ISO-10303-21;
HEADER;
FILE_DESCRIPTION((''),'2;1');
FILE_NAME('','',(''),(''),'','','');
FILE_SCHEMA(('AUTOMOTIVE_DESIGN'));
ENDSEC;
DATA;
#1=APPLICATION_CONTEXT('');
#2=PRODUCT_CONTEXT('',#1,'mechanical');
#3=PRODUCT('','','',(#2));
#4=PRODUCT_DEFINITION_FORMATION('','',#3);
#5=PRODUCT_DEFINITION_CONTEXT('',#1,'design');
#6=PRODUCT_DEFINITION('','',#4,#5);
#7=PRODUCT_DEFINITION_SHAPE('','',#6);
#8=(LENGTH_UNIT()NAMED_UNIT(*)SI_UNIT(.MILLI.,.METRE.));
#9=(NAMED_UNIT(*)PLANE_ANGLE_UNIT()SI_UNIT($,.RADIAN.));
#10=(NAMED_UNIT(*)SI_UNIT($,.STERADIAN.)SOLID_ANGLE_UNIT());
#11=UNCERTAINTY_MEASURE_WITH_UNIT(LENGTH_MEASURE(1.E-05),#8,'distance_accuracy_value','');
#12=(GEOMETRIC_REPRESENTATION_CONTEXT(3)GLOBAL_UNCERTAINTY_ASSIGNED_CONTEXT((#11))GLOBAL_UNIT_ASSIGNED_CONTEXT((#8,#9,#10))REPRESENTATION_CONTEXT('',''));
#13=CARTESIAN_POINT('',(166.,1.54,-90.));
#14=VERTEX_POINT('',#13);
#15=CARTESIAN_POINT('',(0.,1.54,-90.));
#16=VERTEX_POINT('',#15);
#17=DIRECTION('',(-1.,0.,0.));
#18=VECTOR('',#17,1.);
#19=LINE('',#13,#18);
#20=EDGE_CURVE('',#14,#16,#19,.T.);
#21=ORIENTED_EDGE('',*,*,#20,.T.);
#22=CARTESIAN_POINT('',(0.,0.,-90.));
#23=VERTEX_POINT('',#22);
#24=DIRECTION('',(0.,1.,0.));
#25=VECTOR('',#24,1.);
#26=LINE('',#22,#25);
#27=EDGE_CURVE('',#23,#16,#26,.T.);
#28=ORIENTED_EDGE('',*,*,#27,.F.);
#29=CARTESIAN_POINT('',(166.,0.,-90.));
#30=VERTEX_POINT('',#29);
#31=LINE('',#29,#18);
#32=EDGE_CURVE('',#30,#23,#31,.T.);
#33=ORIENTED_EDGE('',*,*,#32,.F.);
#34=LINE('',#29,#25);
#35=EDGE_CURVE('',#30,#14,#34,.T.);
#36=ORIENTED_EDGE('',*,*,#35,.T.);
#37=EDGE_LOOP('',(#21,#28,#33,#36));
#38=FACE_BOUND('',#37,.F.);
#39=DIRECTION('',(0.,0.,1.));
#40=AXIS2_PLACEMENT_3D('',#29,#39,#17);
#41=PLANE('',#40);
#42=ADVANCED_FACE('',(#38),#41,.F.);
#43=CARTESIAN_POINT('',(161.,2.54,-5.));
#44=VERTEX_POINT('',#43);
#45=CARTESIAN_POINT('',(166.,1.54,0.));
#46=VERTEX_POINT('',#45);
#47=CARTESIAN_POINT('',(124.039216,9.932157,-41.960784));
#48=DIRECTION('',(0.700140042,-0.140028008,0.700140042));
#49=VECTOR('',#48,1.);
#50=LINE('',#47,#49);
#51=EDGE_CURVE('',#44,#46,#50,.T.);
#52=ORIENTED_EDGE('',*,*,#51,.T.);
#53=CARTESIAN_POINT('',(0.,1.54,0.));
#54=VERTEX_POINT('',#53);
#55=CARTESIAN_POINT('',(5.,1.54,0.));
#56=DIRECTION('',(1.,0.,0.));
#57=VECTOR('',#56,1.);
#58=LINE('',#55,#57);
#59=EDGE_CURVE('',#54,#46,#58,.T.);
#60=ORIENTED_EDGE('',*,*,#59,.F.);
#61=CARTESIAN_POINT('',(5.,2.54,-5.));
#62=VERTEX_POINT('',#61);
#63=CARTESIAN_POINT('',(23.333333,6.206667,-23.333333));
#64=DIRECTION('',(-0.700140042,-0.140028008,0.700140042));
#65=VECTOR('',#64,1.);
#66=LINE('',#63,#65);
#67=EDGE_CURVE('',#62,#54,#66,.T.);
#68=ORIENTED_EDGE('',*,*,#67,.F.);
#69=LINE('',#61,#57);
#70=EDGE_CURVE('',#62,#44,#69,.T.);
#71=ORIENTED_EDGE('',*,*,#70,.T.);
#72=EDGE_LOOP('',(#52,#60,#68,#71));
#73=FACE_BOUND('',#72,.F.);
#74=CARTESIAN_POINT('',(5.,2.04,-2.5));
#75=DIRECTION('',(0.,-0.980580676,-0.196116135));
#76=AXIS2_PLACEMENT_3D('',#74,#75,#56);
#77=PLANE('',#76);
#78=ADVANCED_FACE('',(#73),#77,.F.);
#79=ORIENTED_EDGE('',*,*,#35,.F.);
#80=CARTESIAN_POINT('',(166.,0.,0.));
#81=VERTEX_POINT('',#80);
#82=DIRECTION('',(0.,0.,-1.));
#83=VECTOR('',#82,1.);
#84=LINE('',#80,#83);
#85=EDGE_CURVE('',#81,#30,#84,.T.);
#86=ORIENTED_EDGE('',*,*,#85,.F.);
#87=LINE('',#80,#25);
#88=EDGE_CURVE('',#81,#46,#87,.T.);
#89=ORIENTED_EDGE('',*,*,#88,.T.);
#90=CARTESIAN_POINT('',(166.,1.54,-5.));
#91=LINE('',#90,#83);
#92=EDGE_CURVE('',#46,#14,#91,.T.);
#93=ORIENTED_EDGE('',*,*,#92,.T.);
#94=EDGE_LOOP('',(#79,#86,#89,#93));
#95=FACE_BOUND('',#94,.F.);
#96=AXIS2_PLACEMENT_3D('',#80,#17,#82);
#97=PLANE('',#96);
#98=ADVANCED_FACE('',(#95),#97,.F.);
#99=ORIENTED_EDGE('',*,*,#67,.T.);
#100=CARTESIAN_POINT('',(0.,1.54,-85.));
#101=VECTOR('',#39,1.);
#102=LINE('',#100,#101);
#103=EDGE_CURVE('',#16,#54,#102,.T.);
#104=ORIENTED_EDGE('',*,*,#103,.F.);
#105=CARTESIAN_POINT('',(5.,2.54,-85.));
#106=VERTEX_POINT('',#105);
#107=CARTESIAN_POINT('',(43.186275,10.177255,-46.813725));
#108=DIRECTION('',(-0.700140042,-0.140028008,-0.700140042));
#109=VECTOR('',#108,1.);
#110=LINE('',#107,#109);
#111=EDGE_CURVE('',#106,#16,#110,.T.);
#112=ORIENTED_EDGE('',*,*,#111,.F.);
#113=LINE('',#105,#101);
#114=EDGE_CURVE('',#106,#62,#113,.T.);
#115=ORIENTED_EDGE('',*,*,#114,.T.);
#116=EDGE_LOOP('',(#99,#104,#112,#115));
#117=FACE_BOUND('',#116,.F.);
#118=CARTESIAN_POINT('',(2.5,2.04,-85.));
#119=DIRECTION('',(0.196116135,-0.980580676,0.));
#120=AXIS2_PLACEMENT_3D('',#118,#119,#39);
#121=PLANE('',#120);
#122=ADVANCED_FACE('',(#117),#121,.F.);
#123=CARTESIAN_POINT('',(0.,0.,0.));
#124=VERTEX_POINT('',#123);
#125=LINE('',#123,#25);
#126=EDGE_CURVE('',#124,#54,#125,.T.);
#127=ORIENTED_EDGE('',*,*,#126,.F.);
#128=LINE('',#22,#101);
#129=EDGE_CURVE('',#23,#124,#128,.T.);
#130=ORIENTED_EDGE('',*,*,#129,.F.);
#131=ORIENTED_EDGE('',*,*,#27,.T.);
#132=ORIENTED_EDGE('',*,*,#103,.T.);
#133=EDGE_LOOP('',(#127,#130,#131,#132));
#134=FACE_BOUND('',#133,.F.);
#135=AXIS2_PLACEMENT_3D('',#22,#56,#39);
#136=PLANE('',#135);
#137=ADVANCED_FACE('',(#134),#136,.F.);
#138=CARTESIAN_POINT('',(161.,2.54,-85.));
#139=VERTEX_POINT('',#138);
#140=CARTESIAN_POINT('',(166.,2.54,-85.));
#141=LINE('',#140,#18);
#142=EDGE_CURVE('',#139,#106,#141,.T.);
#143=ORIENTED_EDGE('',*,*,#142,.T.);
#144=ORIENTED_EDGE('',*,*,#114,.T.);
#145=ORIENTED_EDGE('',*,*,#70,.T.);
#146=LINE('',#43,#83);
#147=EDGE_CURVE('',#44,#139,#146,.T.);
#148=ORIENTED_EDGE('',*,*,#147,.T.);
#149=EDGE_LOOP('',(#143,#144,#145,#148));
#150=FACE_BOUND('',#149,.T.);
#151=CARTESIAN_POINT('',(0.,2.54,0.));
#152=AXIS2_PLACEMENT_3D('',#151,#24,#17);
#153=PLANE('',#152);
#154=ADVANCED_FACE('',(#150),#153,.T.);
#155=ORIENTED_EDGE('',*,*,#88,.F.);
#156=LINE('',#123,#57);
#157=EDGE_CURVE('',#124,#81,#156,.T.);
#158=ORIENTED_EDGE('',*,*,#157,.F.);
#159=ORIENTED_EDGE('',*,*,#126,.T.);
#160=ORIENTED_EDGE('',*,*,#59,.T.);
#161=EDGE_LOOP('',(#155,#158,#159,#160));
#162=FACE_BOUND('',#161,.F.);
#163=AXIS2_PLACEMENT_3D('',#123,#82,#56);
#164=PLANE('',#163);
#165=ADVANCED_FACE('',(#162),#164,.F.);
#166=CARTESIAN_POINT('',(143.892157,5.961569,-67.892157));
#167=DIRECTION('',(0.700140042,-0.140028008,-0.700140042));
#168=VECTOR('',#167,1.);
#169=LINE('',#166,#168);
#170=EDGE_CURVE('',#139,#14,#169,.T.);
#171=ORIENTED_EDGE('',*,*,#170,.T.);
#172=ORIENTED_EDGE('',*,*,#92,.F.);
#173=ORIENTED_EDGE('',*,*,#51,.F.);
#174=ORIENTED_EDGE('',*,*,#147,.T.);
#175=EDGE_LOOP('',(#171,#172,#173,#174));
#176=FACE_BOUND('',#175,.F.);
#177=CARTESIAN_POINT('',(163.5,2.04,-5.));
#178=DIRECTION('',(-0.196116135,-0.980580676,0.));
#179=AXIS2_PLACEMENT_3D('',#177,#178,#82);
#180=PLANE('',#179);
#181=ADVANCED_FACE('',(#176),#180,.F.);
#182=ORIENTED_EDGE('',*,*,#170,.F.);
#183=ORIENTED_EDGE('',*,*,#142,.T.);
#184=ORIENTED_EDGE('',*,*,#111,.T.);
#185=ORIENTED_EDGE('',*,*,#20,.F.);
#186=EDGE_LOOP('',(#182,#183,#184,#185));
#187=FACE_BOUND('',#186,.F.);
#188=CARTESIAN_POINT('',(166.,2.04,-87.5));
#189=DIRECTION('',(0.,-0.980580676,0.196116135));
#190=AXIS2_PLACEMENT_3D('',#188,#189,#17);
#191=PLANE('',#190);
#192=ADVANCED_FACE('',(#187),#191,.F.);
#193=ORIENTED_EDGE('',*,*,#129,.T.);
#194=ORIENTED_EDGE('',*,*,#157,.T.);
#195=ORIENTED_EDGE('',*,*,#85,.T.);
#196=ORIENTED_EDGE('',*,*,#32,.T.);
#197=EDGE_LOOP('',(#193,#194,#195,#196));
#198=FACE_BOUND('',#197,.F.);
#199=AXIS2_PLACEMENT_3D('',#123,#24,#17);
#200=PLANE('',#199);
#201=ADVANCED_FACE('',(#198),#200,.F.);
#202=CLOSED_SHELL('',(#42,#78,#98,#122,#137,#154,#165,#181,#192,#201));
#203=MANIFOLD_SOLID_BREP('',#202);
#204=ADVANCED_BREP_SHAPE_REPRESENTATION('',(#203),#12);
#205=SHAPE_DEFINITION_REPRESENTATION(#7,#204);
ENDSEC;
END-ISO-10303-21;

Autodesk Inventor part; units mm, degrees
ref_plane "YZ Plane" through (0, 0, 0) normal (1, 0, 0) x (0, 1, 0)
ref_plane "XZ Plane" through (0, 0, 0) normal (0, 1, 0) x (-1, 0, 0)
ref_plane "XY Plane" through (0, 0, 0) normal (0, 0, 1) x (1, 0, 0)
sketch "Sketch1" plane through (0, 0, 0) normal (0, 1, 0) x (-1, 0, 0)
  line L0 (0, 0) -> (-166, 0)
  line L1 (-166, 0) -> (-166, -90)
  line L2 (-166, -90) -> (0, -90)
  line L3 (0, -90) -> (0, 0)
  dimension "d0" = 166
  dimension "d1" = 90
extrude "Extrusion1" add sketch "Sketch1" along normal blind 2.54
chamfer "Chamfer1" distance 5 distance2 1 1 edges at (83, 2.54, -90) measured on face at (110.6667, 2.54, -30)
chamfer "Chamfer2" distance 5 distance2 1 1 edges at (0, 2.54, -42.5) measured on face at (110.6667, 2.54, -28.3333)
chamfer "Chamfer3" distance 5 distance2 1 1 edges at (85.5, 2.54, 0) measured on face at (58.6667, 2.54, -56.6667)
chamfer "Chamfer4" distance 5 distance2 1 1 edges at (166, 2.54, -45) measured on face at (112.3333, 2.54, -31.6667)
properties part number "SolarPanel"
